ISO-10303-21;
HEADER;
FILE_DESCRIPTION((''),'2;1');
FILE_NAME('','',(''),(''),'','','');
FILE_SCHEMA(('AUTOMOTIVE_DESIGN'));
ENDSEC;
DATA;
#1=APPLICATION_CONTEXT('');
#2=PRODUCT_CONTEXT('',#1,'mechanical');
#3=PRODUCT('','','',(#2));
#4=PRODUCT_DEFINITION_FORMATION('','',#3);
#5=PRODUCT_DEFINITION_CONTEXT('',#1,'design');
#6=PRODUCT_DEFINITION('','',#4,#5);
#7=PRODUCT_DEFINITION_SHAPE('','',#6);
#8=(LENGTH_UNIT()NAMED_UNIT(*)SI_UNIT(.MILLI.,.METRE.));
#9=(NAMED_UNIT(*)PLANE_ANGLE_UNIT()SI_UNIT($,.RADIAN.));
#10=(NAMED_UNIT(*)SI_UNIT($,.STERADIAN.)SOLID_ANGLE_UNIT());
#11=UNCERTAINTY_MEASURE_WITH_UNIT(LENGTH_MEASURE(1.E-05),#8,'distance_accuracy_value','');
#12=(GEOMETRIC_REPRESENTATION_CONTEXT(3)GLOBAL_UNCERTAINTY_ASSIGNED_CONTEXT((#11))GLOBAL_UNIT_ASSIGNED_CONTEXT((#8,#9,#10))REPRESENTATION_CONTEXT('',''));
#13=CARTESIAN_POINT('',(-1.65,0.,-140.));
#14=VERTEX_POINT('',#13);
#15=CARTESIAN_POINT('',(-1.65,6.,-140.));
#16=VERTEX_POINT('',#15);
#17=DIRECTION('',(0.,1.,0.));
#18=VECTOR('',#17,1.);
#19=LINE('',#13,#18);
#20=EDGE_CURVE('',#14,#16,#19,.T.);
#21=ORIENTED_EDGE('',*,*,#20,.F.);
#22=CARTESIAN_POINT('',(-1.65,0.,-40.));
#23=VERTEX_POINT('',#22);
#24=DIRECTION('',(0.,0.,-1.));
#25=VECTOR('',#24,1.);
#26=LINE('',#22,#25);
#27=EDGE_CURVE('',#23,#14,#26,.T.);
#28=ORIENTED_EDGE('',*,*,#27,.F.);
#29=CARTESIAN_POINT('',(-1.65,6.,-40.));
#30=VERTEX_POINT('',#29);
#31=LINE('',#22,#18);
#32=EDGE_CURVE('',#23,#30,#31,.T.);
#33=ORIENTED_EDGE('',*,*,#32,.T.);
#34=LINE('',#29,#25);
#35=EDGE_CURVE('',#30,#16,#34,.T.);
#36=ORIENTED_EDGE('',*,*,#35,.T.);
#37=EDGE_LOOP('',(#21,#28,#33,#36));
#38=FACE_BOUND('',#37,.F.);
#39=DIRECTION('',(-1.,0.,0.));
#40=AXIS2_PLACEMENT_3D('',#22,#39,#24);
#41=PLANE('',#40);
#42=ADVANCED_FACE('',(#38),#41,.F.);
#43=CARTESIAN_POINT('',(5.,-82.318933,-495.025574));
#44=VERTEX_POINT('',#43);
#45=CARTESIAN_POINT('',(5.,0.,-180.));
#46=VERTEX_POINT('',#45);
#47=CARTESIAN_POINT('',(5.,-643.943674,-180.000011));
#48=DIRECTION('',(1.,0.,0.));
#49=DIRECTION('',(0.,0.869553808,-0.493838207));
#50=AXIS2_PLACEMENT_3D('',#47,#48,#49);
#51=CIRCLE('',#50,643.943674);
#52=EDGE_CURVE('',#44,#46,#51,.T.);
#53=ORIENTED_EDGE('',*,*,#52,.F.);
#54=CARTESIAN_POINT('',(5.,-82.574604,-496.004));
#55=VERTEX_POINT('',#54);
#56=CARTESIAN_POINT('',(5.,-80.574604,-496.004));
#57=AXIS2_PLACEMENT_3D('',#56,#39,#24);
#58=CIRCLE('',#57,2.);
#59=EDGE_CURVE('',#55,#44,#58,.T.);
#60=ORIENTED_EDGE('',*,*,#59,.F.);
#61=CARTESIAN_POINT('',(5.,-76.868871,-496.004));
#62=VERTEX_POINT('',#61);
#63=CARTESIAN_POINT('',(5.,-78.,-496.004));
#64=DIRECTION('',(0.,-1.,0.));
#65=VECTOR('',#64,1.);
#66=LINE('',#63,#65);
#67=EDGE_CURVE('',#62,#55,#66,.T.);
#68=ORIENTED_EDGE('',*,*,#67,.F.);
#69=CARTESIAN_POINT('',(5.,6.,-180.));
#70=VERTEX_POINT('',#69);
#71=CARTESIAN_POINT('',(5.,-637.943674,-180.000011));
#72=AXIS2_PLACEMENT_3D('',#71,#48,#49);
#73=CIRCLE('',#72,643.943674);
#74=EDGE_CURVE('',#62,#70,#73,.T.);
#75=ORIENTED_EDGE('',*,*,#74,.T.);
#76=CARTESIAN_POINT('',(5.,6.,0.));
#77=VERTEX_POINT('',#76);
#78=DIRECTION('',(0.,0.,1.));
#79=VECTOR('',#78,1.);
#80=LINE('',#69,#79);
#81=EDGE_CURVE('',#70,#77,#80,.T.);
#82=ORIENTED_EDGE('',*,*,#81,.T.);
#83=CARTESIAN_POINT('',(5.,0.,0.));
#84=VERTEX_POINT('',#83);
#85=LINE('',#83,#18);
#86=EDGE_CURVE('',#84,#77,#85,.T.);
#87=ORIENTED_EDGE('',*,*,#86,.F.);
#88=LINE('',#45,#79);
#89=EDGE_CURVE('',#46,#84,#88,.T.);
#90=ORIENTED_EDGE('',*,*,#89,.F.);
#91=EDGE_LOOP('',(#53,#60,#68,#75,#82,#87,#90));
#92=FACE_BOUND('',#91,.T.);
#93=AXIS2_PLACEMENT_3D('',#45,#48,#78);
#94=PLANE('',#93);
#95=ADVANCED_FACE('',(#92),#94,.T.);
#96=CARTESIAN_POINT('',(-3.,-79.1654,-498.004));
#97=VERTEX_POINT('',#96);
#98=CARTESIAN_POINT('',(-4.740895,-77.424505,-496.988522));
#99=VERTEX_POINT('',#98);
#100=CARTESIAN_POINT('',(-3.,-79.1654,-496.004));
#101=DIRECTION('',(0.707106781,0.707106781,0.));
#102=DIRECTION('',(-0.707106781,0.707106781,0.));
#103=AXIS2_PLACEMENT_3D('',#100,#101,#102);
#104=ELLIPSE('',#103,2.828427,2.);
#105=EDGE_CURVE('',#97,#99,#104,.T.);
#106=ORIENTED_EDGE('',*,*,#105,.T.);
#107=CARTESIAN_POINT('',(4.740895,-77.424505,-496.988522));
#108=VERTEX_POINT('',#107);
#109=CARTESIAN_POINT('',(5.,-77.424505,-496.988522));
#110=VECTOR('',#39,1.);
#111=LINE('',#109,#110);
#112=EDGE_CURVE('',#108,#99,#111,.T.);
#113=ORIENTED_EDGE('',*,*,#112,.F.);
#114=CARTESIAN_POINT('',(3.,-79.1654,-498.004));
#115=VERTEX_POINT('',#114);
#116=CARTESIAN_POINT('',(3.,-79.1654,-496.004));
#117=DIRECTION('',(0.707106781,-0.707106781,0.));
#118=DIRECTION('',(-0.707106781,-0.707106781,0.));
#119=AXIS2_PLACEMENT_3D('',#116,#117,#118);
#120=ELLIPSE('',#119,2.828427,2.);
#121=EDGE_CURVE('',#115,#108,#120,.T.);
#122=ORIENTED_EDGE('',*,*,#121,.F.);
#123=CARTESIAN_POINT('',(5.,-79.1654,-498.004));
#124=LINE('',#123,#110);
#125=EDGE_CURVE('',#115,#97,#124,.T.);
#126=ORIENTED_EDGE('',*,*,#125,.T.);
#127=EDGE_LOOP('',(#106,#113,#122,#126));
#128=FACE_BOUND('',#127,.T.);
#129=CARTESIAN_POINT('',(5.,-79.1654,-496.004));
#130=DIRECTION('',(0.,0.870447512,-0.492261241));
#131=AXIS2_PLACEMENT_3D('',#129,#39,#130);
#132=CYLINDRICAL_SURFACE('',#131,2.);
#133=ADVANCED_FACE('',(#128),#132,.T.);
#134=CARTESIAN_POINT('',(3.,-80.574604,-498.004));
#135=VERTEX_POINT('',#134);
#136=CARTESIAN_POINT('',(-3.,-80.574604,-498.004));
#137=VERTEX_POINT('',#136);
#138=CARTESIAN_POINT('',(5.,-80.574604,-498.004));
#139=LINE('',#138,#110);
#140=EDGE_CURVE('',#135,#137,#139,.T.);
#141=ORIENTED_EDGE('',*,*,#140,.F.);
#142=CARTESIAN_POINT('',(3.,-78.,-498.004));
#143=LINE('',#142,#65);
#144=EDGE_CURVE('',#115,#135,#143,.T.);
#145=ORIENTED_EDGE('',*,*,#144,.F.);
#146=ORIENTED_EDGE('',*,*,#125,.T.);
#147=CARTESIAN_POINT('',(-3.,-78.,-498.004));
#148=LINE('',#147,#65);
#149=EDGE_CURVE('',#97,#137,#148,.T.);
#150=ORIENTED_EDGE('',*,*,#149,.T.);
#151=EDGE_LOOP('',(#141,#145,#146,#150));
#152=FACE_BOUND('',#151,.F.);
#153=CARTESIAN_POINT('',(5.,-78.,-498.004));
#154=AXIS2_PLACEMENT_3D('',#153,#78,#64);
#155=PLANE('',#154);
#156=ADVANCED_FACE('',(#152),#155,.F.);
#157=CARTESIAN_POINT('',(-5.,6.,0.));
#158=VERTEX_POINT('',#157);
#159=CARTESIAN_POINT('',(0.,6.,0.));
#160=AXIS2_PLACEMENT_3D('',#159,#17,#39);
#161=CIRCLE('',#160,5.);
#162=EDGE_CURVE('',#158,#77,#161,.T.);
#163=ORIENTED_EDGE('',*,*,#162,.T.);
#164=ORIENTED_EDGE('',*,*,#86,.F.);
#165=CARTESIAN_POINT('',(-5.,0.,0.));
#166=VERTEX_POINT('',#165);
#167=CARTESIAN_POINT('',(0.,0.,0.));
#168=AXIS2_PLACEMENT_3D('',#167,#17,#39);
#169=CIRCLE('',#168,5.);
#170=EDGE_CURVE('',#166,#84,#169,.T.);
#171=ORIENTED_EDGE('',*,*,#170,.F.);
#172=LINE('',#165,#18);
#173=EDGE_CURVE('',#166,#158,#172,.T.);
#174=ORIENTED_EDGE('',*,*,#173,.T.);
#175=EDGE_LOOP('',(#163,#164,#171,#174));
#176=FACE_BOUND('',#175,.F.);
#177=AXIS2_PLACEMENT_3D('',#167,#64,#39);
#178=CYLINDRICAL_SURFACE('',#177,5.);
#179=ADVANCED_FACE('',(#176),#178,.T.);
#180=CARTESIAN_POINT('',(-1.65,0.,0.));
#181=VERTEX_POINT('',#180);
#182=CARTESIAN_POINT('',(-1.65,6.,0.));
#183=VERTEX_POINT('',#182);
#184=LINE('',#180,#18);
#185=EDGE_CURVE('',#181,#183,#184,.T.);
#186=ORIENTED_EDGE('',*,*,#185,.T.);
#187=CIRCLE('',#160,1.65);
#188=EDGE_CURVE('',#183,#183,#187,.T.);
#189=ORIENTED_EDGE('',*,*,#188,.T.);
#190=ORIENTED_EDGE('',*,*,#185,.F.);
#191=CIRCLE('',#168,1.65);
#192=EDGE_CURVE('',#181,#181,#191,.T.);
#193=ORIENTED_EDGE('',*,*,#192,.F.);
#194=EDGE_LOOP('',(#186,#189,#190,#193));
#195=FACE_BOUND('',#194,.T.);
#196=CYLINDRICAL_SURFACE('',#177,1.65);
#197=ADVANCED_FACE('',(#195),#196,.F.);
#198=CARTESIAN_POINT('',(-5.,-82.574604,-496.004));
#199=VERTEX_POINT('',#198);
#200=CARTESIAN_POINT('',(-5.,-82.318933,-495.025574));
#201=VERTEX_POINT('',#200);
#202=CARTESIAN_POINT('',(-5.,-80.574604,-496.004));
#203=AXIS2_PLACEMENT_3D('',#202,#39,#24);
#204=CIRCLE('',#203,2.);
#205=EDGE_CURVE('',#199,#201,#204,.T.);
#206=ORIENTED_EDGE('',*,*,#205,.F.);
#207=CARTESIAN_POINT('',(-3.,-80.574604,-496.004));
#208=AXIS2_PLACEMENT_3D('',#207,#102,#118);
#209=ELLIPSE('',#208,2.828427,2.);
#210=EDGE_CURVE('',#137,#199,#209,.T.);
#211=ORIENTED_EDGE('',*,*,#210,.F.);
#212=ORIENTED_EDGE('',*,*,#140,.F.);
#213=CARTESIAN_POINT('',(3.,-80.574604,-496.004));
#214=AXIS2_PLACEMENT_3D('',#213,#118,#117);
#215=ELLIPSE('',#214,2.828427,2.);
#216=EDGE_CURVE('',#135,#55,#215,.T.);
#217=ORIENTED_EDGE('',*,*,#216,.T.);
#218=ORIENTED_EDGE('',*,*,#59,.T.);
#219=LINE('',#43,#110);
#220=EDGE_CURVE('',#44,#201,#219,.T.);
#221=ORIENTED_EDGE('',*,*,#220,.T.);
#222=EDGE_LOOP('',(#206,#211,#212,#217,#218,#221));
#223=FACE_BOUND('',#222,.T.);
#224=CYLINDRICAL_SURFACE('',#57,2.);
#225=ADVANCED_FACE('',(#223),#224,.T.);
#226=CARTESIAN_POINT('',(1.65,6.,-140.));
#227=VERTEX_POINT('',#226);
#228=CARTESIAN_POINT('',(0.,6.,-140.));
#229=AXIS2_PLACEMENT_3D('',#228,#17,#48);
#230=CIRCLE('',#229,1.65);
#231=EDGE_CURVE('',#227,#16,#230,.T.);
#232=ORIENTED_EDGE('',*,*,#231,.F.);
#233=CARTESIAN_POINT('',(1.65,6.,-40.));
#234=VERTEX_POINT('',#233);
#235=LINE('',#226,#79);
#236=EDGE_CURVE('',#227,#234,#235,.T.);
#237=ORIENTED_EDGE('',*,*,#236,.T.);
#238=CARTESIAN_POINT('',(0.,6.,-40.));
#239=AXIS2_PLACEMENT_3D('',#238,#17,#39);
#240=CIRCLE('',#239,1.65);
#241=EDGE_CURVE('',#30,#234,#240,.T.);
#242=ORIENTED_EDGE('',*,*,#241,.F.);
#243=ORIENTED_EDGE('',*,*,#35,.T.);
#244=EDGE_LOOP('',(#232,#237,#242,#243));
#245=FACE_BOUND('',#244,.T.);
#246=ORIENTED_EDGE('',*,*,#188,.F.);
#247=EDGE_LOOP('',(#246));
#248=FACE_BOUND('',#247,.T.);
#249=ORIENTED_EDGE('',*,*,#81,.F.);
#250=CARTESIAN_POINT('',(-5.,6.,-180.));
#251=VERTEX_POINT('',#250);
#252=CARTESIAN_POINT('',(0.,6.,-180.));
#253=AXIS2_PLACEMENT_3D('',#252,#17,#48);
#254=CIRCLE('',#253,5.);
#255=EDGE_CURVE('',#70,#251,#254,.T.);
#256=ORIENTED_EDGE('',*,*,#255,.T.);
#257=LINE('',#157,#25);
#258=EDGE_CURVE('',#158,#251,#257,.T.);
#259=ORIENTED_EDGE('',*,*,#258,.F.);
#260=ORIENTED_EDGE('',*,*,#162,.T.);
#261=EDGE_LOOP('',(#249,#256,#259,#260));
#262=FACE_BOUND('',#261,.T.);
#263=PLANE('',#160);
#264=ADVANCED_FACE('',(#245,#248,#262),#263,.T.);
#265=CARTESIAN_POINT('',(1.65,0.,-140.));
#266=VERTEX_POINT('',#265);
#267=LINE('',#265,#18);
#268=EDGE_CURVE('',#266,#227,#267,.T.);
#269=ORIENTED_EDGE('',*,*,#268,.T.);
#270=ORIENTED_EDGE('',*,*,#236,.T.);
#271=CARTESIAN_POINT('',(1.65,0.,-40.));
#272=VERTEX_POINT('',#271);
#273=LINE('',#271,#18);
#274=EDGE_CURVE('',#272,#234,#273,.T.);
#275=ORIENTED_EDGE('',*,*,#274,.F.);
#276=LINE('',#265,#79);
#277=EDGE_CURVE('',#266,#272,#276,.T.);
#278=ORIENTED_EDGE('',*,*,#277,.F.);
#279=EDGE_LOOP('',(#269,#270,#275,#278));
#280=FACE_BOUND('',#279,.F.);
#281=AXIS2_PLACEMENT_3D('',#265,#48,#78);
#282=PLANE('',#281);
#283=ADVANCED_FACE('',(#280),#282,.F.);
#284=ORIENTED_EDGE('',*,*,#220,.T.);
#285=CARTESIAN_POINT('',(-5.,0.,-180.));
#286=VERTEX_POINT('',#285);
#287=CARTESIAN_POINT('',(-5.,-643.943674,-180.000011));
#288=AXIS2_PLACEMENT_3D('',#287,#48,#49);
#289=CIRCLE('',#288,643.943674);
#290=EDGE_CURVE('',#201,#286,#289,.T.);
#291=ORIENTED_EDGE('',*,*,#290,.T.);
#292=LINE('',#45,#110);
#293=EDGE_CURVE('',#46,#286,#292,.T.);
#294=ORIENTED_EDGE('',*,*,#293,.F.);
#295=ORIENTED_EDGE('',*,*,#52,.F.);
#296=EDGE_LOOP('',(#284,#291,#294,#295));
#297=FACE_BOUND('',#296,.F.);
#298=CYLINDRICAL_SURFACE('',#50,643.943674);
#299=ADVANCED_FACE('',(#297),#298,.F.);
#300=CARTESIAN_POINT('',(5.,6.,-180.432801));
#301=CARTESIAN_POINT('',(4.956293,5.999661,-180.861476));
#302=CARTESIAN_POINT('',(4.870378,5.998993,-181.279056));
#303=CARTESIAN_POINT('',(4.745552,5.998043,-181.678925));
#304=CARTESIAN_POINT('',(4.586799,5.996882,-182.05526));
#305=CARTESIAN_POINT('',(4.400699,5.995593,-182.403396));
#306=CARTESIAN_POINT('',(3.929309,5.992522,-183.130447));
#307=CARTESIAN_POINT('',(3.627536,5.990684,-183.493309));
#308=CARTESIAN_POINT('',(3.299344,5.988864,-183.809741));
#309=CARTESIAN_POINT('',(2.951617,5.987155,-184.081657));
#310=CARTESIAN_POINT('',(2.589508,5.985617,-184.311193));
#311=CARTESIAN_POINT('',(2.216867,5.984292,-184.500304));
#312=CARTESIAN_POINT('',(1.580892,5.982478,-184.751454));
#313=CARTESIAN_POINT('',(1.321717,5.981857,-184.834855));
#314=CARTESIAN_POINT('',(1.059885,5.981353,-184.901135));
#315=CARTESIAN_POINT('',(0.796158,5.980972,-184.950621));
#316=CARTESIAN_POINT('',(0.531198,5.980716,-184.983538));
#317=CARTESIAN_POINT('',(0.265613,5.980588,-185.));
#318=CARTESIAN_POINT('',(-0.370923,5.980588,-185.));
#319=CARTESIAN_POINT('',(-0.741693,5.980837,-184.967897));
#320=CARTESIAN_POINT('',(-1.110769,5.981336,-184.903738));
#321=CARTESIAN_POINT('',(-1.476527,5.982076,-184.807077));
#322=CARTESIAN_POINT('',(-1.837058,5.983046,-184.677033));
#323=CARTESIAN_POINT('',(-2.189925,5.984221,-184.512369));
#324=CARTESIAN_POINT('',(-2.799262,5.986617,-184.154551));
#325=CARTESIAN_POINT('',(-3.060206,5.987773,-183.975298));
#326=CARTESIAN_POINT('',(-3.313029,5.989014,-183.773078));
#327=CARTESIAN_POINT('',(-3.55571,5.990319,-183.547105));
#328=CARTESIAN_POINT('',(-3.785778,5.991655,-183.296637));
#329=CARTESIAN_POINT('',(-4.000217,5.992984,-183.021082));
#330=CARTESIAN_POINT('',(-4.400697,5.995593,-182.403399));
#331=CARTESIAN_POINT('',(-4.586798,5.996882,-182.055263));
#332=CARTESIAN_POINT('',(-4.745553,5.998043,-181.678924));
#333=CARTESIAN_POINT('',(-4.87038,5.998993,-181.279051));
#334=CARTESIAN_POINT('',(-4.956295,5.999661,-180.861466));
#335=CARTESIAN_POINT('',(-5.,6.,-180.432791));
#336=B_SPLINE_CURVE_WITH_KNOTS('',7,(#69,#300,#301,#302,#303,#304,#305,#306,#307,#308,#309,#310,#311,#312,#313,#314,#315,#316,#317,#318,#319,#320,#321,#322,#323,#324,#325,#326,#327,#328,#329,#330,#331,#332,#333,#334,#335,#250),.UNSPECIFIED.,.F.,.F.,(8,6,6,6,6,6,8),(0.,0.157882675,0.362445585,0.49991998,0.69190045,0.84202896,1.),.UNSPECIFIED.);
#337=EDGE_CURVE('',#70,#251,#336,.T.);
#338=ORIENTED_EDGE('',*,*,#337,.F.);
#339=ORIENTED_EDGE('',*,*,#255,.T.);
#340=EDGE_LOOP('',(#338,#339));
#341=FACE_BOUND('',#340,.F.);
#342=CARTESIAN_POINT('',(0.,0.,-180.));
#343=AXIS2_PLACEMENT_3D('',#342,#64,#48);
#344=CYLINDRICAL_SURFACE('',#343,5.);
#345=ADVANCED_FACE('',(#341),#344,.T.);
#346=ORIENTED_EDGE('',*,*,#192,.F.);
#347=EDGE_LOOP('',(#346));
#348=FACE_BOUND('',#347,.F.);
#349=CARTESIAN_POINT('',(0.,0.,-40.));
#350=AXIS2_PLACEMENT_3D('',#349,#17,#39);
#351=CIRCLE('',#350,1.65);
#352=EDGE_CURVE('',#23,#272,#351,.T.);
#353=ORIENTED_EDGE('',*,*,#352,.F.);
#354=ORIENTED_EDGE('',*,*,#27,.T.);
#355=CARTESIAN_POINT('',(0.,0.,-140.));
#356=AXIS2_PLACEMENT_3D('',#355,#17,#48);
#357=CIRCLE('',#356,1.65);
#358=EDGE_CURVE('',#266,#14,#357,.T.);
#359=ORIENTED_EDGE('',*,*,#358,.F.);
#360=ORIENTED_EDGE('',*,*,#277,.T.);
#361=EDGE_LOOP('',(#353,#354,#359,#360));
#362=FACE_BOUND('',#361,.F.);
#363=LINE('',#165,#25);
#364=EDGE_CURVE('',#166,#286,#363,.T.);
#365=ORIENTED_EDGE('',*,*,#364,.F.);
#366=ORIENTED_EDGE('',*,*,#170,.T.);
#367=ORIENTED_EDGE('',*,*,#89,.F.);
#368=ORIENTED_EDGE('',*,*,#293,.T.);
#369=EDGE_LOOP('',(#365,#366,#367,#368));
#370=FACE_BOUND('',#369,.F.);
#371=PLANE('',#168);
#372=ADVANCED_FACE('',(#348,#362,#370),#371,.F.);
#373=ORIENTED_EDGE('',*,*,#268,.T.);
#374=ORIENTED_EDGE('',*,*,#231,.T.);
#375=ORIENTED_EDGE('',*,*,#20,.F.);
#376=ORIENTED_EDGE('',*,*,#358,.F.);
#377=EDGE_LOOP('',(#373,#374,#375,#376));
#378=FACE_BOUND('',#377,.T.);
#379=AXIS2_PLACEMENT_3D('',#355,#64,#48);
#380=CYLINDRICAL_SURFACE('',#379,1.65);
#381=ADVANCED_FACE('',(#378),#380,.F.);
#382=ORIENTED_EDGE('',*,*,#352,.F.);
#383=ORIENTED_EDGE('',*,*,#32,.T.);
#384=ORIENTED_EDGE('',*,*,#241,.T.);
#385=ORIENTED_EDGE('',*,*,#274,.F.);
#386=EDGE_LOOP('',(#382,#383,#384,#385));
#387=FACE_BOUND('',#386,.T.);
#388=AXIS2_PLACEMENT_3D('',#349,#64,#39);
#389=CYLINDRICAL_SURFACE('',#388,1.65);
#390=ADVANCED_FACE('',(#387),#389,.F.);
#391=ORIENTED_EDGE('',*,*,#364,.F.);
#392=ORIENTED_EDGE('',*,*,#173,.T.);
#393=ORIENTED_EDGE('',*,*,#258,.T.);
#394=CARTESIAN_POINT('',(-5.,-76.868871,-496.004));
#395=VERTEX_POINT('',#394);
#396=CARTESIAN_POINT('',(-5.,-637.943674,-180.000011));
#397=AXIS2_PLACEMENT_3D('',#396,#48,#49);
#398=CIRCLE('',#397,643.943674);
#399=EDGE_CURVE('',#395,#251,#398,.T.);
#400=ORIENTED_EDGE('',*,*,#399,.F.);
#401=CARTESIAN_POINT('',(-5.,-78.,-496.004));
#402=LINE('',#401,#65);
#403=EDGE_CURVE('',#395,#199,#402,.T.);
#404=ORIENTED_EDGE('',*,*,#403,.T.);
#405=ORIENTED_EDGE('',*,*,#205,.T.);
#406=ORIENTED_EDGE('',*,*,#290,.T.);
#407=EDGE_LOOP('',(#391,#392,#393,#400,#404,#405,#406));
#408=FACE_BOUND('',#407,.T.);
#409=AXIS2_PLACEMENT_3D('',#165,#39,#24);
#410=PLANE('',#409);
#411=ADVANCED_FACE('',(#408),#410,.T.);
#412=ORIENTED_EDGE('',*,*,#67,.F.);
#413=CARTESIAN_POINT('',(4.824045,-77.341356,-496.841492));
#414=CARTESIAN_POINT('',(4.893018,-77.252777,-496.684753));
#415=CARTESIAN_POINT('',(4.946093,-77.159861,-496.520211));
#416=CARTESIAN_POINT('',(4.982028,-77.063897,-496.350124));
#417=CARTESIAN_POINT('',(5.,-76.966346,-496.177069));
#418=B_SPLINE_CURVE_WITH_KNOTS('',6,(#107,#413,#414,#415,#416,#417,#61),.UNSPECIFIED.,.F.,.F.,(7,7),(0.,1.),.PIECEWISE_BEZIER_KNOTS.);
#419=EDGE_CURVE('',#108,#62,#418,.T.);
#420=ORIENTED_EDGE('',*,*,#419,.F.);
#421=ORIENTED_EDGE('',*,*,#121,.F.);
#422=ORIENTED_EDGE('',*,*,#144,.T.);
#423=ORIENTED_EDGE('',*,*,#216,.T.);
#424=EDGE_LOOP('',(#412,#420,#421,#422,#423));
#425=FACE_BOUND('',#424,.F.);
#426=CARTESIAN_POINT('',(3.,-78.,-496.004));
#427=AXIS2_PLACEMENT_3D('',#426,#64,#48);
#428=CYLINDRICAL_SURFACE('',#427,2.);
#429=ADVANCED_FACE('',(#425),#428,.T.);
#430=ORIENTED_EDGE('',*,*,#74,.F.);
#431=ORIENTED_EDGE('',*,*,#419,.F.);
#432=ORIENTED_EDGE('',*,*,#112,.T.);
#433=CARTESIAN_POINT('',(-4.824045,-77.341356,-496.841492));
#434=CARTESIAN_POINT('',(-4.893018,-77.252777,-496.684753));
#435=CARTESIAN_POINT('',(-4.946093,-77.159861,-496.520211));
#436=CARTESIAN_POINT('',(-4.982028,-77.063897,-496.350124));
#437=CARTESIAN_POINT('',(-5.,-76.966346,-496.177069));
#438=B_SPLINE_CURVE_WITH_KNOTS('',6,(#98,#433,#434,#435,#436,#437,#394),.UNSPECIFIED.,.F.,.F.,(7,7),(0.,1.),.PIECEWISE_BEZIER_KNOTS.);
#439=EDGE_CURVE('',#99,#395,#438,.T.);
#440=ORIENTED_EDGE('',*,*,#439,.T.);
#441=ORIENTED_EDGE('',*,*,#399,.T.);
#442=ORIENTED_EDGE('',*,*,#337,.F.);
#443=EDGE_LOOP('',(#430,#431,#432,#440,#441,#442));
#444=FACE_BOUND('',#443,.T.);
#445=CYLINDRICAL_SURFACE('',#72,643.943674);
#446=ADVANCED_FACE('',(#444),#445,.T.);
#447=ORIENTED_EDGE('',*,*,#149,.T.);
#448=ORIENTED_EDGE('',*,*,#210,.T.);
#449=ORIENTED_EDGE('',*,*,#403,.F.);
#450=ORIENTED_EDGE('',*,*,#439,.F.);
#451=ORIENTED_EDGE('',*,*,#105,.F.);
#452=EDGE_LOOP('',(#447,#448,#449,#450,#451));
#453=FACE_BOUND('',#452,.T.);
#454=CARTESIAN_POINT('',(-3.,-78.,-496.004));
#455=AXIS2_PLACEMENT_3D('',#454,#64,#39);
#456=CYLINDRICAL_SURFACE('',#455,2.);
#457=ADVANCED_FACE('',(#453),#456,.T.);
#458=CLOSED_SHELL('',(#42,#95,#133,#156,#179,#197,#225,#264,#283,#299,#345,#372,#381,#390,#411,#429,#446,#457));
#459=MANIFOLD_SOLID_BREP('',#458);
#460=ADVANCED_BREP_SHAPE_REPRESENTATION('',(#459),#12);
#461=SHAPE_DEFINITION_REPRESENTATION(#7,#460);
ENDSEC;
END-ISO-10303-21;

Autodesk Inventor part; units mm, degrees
ref_plane "YZ Plane" through (0, 0, 0) normal (1, 0, 0) x (0, 1, 0)
ref_plane "XZ Plane" through (0, 0, 0) normal (0, 1, 0) x (-1, 0, 0)
ref_plane "XY Plane" through (0, 0, 0) normal (0, 0, 1) x (1, 0, 0)
sketch "Sketch1" plane through (0, 0, 0) normal (0, 1, 0) x (-1, 0, 0)
  line L0 (0, 0) -> (0, -180) construction
  line L1 (5, 0) -> (5, -180)
  line L2 (-5, -180) -> (-5, 0)
  arc A0 (5, 0) -> (-5, 0) centre (0, 0) ccw
  arc A1 (-5, -180) -> (5, -180) centre (0, -180) ccw
  circle A2 centre (0, 0) radius 1.65
  line L3 (0, -40) -> (0, -140) construction
  line L4 (1.65, -40) -> (1.65, -140)
  line L5 (-1.65, -140) -> (-1.65, -40)
  arc A3 (1.65, -40) -> (-1.65, -40) centre (0, -40) ccw
  arc A4 (-1.65, -140) -> (1.65, -140) centre (0, -140) ccw
  point P0 (0, -90)
  point P1 (0, -90)
  dimension "d0" = 180
  dimension "d1" = 10
  dimension "d2" = 3.3
  dimension "d3" = 40
  dimension "d5" = 140
  dimension "d6" = 3.3
extrude "Extrusion1" add sketch "Sketch1" along normal blind 6
sketch "Sketch2" plane through (5, 0, 0) normal (1, 0, 0) x (0, 0, -1)
  line L0 (180, 0) -> (180, 6) projected
  line L1 (0, 0) -> (180, 0) projected
  line L2 (180, 0) -> (180, 6) projected
  line L3 (0, 6) -> (180, 6) projected
  line L4 (0, 0) -> (0, 6) projected
  line L5 (180, 0) -> (180, 0) projected
  line L6 (180, 0) -> (180, 6) projected
  line L7 (180, 6) -> (180, 6) projected
  line L8 (180, 0) -> (180, 6) projected
  line L9 (180, 0) -> (0, 0) projected
  arc A0 (498.004, -84) -> (180, 0) centre (180, -643.9437) ccw
  line L10 (180, 6) -> (0, 6) projected
  arc A1 (498.004, -78) -> (180, 6) centre (180, -637.9437) ccw
  line L11 (498.004, -78) -> (498.004, -84)
  line L12 (0, 0) -> (180, 0) projected
  dimension "d9" = 6
  dimension "d10" = 498.004
  dimension "d11" = 90
extrude "Extrusion2" add sketch "Sketch2" against normal blind 10 contours L0 A1 L11 A0
fillet "Fillet1" radius 2 4 edges at (0, -78, -498.004) (5, -81, -498.004) (-5, -81, -498.004) (0, -84, -498.004)
